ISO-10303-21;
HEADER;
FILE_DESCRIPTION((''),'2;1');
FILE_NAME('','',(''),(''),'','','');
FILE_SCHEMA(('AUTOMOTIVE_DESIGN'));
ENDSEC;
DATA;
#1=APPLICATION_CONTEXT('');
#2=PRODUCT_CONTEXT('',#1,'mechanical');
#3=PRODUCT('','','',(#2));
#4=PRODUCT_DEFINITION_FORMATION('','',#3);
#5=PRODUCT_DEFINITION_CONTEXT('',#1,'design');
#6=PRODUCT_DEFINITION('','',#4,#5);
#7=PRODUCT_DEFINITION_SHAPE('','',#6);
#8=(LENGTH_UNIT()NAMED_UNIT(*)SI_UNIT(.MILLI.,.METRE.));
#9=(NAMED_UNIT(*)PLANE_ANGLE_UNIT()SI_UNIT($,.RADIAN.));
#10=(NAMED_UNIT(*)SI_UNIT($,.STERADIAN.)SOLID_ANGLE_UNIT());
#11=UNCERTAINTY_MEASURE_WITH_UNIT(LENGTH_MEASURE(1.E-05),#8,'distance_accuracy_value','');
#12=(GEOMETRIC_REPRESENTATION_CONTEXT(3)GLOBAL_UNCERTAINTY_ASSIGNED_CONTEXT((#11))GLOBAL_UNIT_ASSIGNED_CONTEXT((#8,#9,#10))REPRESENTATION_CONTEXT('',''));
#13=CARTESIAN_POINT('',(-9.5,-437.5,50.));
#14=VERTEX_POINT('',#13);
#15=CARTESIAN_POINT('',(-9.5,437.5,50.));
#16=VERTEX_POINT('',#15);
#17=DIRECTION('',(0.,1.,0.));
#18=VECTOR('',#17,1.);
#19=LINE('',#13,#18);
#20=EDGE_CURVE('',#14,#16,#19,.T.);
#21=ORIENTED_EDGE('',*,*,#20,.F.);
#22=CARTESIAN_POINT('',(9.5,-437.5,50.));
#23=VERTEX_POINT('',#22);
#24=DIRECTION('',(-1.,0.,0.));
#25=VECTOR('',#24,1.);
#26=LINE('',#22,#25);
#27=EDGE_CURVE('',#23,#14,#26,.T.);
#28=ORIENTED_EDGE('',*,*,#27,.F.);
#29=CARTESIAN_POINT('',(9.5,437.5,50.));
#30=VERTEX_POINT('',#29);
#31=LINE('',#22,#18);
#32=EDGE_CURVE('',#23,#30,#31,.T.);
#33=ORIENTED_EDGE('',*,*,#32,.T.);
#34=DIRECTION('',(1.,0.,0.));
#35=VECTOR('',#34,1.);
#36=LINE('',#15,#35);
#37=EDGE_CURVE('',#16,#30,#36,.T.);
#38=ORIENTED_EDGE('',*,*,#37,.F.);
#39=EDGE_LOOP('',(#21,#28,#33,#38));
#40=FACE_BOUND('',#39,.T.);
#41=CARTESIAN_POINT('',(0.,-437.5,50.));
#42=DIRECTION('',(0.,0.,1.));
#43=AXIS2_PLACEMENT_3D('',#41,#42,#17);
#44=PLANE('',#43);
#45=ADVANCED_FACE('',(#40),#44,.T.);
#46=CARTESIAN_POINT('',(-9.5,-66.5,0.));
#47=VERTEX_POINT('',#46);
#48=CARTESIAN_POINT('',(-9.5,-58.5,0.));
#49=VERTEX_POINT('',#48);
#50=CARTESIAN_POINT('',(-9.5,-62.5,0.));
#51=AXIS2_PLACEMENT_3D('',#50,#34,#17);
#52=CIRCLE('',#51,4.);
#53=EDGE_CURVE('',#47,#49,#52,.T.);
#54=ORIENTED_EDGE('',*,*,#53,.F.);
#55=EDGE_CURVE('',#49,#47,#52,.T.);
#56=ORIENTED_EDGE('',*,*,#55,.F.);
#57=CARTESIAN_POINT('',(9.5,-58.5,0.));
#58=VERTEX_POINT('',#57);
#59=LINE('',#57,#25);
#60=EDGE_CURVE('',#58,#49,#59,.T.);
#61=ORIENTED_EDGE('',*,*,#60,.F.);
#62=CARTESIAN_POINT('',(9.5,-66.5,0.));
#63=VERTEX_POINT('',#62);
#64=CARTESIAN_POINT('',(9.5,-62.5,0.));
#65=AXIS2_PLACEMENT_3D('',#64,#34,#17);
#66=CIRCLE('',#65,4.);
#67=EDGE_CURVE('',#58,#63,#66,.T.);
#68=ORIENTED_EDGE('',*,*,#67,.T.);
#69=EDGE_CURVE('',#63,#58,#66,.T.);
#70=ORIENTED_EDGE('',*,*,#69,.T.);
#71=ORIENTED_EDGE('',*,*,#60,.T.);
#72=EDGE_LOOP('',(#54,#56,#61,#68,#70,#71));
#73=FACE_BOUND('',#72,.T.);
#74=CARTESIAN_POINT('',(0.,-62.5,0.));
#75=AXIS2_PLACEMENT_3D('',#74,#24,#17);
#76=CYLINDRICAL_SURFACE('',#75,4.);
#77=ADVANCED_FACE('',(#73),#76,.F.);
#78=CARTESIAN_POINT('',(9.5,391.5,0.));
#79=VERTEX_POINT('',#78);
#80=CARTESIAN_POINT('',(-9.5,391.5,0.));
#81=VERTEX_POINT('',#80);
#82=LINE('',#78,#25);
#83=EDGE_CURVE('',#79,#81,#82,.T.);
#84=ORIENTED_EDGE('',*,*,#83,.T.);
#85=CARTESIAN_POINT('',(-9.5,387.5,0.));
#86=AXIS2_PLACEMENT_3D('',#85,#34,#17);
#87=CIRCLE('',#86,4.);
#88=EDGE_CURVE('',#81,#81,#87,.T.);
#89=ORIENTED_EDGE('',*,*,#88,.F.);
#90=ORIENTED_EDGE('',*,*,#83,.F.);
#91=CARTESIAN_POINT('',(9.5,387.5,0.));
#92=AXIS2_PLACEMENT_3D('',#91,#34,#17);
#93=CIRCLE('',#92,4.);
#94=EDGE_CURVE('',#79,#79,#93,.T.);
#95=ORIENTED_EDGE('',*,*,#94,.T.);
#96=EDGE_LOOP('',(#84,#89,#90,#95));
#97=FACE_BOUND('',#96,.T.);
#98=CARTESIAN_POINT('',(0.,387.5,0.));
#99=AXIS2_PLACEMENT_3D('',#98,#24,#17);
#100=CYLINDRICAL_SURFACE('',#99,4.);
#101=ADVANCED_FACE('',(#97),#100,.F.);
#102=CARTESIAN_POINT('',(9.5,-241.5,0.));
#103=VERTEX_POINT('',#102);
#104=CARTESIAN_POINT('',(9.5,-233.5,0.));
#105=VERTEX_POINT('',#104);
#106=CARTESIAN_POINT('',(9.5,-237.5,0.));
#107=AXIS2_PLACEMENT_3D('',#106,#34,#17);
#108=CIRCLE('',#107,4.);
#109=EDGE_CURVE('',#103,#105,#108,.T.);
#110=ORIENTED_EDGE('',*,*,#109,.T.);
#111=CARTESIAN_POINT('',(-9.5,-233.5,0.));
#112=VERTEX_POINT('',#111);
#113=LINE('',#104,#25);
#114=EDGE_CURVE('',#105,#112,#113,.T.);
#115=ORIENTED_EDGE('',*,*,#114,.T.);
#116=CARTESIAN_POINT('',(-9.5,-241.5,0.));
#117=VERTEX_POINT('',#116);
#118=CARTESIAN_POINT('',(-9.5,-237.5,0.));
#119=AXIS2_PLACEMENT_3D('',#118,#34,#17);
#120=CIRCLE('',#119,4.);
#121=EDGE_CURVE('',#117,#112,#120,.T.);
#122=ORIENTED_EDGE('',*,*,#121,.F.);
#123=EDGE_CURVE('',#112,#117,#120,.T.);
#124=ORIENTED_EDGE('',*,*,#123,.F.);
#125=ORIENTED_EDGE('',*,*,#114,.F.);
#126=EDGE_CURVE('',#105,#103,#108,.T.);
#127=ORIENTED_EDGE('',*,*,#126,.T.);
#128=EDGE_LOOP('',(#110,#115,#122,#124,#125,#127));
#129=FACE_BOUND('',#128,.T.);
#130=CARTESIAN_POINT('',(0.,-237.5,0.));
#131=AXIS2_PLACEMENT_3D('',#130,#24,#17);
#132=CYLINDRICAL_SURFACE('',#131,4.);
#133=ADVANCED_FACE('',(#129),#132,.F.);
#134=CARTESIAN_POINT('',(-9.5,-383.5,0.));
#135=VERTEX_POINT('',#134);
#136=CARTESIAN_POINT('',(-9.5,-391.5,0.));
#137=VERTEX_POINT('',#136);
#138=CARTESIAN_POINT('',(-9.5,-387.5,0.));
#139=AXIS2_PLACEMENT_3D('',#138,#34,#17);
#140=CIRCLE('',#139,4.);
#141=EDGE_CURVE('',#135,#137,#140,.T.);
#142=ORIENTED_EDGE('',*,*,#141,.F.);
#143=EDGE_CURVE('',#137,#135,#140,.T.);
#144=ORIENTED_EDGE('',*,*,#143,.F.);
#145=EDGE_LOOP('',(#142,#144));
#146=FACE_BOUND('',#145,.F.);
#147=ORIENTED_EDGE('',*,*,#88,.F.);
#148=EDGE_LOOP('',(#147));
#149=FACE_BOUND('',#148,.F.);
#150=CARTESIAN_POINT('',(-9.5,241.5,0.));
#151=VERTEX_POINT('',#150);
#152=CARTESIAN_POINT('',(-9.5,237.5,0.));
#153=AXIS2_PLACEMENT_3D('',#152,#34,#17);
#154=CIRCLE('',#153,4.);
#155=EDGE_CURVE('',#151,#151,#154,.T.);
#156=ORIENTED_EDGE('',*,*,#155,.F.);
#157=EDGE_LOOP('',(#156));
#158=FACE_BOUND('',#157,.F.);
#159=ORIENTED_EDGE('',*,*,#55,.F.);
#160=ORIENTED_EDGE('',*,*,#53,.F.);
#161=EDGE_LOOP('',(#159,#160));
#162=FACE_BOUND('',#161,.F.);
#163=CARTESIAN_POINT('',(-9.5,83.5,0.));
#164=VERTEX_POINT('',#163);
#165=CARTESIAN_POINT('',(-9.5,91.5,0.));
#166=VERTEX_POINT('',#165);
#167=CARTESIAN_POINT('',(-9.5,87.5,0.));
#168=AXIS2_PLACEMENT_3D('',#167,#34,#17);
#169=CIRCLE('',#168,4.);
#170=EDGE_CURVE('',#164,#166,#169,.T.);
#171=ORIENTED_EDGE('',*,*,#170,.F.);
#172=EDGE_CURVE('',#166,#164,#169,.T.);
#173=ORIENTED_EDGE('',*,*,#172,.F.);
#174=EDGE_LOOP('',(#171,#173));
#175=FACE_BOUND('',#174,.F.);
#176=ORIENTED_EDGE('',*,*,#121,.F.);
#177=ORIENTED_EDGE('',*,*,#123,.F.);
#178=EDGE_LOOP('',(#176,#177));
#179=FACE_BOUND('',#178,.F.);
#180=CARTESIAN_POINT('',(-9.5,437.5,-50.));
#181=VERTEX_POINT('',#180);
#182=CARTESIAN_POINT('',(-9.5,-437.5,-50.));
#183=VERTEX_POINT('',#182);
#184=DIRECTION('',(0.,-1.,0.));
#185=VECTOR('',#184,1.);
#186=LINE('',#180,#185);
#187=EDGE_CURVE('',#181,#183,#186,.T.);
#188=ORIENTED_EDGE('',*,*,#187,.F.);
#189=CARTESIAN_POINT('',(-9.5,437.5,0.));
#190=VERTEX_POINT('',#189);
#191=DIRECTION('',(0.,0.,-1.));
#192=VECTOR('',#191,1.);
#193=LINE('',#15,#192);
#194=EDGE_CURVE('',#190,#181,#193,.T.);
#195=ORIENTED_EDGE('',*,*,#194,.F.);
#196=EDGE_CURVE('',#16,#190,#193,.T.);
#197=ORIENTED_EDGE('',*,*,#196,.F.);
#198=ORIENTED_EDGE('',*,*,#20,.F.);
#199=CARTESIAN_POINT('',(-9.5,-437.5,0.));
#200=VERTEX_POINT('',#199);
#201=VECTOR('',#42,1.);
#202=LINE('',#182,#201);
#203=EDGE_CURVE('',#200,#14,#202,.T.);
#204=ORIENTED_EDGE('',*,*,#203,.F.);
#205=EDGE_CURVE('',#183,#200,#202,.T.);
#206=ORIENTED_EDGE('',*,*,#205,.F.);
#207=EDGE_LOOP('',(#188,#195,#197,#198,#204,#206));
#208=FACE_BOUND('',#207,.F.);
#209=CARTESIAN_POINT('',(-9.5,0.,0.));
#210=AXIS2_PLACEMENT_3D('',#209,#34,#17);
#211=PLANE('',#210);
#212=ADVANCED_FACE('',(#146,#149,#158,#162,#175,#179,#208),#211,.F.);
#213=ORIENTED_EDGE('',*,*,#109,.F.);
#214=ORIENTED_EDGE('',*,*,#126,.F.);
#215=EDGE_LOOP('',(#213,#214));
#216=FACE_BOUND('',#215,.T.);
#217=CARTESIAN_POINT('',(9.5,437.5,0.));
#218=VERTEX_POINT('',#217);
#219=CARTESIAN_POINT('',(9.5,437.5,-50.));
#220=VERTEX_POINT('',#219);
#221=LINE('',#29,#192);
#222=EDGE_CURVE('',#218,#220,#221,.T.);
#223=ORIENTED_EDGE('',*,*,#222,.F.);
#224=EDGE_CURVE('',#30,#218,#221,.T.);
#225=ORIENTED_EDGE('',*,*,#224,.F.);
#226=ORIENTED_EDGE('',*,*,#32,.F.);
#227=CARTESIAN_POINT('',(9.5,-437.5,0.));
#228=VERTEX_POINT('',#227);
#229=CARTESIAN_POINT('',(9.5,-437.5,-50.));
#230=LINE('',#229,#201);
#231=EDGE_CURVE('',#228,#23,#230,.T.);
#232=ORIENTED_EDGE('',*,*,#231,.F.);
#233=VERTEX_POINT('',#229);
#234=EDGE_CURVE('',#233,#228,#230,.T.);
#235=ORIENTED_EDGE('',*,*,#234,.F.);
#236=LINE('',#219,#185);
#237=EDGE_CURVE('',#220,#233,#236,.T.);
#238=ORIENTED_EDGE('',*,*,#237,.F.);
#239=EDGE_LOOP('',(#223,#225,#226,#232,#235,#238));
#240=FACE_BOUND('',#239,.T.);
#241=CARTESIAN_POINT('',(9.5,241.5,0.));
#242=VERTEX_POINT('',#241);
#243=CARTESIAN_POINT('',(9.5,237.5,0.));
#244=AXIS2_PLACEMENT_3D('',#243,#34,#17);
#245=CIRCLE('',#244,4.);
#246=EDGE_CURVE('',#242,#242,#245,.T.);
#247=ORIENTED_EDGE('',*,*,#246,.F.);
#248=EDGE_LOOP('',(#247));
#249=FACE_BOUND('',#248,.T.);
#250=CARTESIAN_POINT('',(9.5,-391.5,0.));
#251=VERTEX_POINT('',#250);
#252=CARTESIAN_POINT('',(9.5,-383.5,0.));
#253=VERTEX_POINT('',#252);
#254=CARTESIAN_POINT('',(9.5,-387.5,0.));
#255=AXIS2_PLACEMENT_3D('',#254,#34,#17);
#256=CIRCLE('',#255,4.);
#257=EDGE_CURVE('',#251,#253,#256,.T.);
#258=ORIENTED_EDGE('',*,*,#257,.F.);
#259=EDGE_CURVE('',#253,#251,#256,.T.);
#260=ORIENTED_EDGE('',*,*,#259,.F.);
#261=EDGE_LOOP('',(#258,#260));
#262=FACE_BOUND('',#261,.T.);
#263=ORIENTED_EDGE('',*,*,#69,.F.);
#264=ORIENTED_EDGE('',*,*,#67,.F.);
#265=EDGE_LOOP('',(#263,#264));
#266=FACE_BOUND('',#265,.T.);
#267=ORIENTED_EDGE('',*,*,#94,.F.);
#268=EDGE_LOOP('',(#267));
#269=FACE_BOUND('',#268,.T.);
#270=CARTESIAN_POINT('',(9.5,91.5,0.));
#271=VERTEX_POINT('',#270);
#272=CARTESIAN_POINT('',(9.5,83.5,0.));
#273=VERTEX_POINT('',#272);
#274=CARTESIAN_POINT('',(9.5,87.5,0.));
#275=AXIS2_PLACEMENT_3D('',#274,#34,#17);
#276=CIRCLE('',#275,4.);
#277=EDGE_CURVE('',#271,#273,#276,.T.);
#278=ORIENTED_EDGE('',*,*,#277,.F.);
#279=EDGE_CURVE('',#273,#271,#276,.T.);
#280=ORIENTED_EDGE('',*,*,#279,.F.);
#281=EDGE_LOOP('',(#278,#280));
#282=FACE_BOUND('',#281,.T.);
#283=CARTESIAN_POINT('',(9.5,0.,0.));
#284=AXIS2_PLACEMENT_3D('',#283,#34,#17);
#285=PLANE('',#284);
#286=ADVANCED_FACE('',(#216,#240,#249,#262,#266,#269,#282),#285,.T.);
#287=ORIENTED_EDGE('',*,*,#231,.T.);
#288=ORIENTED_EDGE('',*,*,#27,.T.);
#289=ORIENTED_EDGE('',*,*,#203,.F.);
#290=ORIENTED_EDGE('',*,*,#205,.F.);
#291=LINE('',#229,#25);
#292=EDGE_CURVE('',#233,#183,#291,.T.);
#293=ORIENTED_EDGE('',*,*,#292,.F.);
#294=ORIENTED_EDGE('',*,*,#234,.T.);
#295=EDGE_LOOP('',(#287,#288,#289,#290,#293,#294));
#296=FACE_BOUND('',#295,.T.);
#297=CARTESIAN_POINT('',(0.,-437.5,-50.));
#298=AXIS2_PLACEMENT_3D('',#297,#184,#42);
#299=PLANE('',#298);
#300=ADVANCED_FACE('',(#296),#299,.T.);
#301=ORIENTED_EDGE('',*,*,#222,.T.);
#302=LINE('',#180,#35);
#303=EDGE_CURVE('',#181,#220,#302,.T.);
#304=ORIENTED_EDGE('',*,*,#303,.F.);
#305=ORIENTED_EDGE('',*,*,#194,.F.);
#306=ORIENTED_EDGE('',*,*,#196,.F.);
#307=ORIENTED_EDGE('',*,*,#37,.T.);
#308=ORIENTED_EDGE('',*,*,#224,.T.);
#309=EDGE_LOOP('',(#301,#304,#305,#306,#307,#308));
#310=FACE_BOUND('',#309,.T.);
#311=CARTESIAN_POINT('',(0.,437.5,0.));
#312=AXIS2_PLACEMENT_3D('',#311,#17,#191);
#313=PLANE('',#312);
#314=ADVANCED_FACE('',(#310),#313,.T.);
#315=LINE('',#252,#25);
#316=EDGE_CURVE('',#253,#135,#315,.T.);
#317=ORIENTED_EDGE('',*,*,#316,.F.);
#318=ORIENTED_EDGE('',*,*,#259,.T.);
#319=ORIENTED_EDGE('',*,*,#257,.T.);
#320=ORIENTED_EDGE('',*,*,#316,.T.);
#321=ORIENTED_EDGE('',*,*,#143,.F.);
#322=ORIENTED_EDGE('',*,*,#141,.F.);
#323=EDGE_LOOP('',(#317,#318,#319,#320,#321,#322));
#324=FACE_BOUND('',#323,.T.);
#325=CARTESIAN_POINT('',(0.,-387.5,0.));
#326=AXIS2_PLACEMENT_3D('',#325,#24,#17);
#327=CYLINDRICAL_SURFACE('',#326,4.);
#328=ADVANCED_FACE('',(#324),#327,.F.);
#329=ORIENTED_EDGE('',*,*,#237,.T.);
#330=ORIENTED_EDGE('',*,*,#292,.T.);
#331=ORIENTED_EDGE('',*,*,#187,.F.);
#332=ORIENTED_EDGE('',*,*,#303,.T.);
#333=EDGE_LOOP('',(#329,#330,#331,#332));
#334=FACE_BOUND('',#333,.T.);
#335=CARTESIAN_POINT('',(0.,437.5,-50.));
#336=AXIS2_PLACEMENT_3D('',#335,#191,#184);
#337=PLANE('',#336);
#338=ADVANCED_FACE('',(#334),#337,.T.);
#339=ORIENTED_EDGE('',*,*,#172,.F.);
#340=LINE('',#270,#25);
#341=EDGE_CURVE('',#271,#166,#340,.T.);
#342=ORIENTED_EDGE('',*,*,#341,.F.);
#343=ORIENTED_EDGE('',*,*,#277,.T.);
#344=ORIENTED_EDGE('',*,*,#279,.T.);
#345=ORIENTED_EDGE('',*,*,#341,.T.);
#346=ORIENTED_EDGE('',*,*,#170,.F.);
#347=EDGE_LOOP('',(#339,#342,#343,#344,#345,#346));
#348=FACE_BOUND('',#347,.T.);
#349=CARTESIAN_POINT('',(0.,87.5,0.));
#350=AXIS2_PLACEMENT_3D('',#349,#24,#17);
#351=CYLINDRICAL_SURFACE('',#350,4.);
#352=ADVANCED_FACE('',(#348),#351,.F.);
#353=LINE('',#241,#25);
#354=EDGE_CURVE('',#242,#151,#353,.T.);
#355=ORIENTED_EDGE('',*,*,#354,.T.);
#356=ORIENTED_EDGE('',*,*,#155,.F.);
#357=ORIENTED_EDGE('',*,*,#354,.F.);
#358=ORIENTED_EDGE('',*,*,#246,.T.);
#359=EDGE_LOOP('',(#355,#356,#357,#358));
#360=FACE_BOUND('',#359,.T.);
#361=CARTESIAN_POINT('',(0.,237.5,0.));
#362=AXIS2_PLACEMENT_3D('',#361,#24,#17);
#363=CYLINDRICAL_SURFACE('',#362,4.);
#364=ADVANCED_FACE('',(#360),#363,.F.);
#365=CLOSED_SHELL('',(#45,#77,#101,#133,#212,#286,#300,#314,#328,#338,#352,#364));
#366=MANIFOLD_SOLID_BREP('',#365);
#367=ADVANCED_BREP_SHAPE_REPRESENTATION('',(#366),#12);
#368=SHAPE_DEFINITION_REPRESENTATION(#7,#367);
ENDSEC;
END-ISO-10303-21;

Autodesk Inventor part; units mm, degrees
ref_plane "YZ Plane" through (0, 0, 0) normal (1, 0, 0) x (0, 1, 0)
ref_plane "XZ Plane" through (0, 0, 0) normal (0, 1, 0) x (-1, 0, 0)
ref_plane "XY Plane" through (0, 0, 0) normal (0, 0, 1) x (1, 0, 0)
sketch "Sketch2" plane through (0, 0, 0) normal (1, 0, 0) x (0, 1, 0)
  line L0 (437.5, -50) -> (-437.5, -50)
  line L1 (-437.5, -50) -> (-437.5, 50)
  line L2 (-437.5, 50) -> (437.5, 50)
  line L3 (437.5, 50) -> (437.5, -50)
  line L4 (437.5, 0) -> (387.5, 0)
  line L5 (87.5, 0) -> (-62.5, 0)
  line L6 (-62.5, 0) -> (-237.5, 0)
  line L7 (-237.5, 0) -> (-387.5, 0)
  line L8 (-387.5, 0) -> (-437.5, 0)
  circle A0 centre (387.5, 0) radius 4
  circle A1 centre (237.5, 0) radius 4
  circle A2 centre (87.5, 0) radius 4
  circle A3 centre (-62.5, 0) radius 4
  circle A4 centre (-237.5, 0) radius 4
  circle A5 centre (-387.5, 0) radius 4
  point P0 (0, 0)
  dimension "d0" = 875
  dimension "d1" = 100
  dimension "d9" = 8
  dimension "d10" = 8
  dimension "d11" = 8
  dimension "d12" = 8
  dimension "d13" = 8
  dimension "d14" = 8
  dimension "d15" = 150
  dimension "d16" = 50
  dimension "d17" = 150
  dimension "d18" = 150
  dimension "d19" = 175
  dimension "d20" = 150
  dimension "d21" = 50
extrude "Extrusion1" add sketch "Sketch2" along normal mid plane 19
properties part number "I"
